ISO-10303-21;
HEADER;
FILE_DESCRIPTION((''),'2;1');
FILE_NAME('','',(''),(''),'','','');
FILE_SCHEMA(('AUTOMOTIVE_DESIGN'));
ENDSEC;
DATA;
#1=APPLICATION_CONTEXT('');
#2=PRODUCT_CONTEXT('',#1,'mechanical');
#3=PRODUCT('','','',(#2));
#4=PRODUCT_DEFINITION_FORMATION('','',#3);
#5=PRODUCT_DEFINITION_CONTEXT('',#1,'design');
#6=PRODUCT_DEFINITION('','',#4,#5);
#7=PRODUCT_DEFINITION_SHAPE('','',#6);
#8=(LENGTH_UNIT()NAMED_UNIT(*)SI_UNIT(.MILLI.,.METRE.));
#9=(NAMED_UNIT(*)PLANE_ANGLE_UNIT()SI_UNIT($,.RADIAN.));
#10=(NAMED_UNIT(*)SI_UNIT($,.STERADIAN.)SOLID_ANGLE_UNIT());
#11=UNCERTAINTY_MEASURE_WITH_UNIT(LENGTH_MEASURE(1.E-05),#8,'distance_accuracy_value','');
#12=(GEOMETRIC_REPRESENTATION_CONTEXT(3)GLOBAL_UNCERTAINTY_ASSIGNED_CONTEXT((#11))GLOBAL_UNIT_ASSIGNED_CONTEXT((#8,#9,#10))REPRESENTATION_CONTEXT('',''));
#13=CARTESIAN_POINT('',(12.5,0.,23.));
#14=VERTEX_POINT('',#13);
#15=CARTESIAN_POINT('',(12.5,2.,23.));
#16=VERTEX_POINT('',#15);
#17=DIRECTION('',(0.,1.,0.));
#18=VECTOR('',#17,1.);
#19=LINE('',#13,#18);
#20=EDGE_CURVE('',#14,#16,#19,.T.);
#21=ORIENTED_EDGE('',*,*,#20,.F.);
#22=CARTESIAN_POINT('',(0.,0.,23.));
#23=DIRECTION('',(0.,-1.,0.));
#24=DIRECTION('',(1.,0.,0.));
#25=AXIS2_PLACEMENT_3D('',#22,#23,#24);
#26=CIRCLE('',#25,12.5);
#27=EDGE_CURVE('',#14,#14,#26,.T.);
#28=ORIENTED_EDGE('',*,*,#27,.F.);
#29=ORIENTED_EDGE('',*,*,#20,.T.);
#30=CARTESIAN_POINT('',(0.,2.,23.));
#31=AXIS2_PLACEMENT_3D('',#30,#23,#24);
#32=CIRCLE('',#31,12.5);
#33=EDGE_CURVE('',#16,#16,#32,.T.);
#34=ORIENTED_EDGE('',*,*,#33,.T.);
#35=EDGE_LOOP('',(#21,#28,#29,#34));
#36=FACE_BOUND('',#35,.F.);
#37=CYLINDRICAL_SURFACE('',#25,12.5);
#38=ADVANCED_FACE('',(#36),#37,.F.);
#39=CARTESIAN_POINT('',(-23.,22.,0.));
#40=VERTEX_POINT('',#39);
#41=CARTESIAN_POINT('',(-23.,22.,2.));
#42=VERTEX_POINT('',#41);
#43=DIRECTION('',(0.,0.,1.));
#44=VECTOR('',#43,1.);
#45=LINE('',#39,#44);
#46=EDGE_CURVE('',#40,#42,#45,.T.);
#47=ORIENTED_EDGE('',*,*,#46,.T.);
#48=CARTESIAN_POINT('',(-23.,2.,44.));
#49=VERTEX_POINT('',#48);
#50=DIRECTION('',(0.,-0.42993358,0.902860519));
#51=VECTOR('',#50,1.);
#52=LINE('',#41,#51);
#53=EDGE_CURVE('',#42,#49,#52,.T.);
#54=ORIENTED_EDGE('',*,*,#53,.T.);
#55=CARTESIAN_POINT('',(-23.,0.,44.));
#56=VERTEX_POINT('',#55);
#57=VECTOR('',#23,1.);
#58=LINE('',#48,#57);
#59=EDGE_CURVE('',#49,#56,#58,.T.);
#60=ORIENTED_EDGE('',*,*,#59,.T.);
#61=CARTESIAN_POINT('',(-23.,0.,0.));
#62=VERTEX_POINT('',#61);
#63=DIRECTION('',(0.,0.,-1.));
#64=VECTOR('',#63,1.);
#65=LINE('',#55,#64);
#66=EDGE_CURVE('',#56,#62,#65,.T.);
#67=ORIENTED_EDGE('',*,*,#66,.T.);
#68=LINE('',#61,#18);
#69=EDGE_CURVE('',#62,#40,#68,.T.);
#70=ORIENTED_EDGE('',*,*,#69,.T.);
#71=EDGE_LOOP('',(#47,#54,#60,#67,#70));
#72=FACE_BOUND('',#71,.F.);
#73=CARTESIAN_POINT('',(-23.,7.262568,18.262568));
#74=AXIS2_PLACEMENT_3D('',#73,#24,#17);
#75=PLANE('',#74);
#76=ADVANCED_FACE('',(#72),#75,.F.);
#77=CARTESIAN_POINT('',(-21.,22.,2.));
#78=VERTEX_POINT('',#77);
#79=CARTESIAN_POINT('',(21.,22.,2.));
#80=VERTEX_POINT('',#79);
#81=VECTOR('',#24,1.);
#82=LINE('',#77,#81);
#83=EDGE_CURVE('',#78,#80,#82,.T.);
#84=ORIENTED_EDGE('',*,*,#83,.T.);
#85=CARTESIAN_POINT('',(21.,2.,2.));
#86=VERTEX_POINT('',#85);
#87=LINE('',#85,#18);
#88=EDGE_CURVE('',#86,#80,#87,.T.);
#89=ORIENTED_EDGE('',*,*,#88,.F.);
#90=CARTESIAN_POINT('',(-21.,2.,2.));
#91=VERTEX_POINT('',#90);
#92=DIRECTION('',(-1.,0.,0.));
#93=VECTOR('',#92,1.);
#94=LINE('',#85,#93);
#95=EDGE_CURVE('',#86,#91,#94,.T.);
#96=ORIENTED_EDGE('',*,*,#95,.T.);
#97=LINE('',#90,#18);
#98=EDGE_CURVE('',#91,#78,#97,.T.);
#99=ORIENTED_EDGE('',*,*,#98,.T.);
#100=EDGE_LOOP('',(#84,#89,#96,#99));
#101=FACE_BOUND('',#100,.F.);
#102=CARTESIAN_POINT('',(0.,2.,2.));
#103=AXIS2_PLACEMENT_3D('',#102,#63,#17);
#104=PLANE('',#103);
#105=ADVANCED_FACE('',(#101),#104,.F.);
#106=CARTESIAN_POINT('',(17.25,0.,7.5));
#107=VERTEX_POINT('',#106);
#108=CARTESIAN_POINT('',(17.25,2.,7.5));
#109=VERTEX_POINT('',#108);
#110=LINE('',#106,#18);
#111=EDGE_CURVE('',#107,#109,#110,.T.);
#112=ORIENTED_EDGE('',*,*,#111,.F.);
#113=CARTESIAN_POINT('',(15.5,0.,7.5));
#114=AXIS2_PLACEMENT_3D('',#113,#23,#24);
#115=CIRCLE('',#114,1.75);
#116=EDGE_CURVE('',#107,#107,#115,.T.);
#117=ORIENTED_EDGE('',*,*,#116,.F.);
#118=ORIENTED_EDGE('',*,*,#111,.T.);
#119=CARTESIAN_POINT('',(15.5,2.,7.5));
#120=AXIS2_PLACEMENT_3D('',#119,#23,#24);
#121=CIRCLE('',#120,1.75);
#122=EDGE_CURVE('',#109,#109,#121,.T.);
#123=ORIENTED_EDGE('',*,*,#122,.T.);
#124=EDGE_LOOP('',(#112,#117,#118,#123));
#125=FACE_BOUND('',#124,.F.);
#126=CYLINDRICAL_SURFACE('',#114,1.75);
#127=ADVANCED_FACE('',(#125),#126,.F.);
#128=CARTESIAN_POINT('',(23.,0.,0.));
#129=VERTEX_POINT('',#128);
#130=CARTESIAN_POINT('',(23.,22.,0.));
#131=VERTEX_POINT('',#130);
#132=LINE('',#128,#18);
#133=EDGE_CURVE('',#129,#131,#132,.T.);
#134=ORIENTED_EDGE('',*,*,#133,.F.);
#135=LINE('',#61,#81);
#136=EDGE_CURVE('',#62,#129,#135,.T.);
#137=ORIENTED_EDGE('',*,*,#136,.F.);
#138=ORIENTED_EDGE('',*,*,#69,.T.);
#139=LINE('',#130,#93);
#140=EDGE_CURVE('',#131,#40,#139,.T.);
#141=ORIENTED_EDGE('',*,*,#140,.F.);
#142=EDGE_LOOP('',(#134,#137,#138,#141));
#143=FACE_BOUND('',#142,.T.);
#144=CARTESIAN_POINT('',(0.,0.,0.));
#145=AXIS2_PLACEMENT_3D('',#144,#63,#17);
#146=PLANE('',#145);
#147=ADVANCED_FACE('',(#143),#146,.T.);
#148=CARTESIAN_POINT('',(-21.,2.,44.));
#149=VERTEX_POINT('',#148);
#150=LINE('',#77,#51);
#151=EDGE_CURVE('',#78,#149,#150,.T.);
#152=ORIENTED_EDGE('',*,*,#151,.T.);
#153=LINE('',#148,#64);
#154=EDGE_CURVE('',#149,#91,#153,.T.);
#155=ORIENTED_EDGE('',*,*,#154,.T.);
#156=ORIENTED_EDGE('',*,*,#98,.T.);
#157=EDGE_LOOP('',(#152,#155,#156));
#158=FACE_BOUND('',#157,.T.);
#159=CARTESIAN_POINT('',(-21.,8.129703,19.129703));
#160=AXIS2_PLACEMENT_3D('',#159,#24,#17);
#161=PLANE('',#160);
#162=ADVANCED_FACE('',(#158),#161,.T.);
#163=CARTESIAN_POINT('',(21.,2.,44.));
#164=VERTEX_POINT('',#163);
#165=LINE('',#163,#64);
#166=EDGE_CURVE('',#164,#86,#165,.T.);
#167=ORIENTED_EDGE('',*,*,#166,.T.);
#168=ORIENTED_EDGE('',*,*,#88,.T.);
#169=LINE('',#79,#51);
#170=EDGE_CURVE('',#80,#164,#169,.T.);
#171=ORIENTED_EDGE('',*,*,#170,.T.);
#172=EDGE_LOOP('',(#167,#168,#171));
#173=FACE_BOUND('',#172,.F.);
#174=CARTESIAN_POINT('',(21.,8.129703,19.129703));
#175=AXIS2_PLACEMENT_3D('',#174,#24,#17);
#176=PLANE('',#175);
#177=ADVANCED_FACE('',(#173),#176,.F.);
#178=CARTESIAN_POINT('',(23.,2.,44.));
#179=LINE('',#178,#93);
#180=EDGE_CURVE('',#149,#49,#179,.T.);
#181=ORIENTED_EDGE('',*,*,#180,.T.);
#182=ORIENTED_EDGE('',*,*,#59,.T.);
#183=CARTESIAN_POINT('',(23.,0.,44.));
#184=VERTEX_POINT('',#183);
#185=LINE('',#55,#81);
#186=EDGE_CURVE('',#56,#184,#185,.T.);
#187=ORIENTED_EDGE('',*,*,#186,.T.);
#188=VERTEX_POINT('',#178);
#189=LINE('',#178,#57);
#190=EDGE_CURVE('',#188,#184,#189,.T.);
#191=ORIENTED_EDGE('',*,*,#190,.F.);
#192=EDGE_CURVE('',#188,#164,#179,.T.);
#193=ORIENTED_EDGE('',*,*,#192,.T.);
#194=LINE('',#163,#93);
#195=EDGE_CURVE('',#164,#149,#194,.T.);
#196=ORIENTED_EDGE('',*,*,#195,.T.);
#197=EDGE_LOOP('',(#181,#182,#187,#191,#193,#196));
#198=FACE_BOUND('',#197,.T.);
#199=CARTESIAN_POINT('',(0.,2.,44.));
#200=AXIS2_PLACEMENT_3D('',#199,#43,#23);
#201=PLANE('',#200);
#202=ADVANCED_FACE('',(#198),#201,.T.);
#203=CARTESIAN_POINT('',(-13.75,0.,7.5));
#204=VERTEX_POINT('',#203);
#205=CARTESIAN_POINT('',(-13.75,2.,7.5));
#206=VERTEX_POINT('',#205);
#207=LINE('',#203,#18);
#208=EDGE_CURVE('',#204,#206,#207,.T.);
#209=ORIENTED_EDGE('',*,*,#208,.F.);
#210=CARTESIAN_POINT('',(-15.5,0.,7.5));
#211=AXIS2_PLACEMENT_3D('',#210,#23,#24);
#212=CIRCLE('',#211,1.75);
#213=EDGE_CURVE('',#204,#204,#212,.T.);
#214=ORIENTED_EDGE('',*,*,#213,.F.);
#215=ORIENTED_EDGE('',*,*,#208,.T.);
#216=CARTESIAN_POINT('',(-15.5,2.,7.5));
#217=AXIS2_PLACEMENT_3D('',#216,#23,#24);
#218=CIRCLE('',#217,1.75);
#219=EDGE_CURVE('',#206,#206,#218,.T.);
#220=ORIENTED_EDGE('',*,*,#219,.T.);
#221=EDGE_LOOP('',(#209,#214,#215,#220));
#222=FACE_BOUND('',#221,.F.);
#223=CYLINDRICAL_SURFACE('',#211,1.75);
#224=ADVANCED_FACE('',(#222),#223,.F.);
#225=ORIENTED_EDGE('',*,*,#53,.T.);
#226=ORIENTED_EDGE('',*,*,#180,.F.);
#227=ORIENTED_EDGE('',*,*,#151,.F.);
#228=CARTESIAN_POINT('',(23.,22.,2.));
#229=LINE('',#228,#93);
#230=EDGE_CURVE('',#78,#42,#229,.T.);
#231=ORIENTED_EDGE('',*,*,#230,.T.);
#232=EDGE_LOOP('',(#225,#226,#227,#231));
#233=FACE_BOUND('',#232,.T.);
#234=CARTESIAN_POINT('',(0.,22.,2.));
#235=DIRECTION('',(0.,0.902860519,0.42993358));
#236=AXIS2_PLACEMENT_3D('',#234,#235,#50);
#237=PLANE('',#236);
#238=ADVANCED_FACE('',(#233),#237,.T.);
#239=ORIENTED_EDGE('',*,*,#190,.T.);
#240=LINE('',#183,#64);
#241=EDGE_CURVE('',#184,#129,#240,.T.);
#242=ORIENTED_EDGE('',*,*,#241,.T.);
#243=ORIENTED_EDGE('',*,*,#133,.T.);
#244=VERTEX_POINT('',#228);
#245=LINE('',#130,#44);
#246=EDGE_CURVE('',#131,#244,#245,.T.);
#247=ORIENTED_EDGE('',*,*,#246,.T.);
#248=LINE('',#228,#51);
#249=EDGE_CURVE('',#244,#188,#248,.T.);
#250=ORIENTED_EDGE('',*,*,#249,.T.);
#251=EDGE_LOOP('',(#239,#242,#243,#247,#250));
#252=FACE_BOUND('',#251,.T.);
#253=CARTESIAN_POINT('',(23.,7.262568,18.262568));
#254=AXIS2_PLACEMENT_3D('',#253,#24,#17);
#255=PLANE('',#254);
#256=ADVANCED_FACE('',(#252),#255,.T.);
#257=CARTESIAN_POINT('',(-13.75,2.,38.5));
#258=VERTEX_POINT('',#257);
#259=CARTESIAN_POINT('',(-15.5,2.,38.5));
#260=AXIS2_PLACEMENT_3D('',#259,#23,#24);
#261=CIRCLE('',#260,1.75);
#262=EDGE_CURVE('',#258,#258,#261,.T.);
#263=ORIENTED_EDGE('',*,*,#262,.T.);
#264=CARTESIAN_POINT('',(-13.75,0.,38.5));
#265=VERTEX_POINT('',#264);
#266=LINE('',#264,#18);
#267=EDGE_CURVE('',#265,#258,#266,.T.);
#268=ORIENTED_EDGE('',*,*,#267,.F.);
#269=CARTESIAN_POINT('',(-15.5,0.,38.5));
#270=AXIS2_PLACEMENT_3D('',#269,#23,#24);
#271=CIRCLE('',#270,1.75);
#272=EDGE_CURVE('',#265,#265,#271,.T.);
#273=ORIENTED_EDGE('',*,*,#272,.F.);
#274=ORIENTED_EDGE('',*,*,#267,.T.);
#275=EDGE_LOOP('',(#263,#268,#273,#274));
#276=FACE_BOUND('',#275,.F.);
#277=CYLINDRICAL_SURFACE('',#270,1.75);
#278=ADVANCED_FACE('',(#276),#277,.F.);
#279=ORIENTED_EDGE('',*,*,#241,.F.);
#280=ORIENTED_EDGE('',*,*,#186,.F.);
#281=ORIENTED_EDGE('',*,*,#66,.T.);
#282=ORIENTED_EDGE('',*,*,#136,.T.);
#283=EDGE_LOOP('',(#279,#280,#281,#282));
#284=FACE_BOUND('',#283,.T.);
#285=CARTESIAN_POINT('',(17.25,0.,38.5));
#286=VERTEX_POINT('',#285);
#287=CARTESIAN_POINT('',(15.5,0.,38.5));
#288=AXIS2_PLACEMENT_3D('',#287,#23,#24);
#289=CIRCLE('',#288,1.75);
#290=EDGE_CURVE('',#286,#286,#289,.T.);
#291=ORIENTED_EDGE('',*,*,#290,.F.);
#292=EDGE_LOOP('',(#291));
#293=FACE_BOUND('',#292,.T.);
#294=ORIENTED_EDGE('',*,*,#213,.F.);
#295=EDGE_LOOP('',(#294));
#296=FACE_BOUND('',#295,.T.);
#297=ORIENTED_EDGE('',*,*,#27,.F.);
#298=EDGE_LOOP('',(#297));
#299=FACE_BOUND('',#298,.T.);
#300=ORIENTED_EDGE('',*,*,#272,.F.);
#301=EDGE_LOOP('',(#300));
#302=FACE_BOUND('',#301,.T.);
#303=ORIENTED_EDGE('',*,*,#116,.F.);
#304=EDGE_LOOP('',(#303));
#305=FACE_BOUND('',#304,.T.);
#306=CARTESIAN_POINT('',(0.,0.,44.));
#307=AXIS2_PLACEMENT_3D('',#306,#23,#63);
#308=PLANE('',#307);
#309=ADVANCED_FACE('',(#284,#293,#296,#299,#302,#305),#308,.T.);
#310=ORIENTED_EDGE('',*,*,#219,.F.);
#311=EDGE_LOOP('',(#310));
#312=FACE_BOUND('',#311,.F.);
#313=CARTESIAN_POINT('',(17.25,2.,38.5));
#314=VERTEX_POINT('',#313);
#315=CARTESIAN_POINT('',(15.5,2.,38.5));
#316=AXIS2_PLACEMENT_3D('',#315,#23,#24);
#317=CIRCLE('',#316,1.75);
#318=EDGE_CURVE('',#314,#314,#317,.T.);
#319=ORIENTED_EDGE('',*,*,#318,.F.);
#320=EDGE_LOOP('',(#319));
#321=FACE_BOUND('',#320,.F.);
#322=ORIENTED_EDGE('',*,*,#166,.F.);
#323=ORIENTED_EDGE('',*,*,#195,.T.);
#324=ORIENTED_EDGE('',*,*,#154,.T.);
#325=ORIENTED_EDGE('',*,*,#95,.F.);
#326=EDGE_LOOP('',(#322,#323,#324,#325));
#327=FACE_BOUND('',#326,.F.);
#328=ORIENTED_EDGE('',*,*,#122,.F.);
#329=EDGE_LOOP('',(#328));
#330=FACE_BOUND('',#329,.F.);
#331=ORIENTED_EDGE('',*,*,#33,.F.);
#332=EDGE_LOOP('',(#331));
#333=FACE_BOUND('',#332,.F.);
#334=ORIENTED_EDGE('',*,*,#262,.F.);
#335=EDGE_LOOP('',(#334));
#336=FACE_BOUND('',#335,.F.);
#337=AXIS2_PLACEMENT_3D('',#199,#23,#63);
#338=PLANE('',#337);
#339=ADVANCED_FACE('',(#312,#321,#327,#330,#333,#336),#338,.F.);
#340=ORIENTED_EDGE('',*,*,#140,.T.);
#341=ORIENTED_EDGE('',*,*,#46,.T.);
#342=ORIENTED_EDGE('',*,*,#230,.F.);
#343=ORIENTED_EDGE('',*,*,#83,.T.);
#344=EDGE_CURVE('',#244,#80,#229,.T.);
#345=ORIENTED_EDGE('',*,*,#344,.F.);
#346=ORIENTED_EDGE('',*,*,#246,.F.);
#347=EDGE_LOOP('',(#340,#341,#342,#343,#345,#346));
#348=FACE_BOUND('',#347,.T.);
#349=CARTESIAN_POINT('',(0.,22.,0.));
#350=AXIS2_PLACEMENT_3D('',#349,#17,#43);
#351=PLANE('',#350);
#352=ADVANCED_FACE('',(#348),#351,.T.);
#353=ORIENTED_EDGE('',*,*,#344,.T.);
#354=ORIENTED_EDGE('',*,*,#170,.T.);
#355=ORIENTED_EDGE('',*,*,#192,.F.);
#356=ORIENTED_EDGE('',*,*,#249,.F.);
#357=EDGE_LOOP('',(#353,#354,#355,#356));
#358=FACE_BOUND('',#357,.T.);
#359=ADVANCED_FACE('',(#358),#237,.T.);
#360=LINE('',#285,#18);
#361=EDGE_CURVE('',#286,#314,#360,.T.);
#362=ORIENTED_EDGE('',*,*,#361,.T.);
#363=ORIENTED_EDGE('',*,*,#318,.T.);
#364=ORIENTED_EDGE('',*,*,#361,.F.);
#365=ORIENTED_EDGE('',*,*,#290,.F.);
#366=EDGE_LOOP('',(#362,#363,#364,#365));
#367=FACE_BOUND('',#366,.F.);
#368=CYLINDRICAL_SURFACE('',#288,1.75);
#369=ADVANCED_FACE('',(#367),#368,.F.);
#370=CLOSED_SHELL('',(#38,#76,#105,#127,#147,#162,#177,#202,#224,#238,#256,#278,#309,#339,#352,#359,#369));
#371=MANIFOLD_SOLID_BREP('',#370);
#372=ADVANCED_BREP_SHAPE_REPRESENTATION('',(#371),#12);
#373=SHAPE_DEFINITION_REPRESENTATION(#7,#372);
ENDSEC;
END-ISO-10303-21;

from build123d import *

# Parameters (mm, degrees)
F1_DEPTH = 23
F3_DEPTH = 21
F4_R     = 12.5
F4_R_2   = 1.75
F5_DEPTH = 22.001


with BuildPart() as f1:
    # F0 (on Right) → F1 (new body, symmetric)
    with BuildSketch(Plane.YZ):
        Polygon((2, 44), (0, 44), (0, 0), (22, 0), (22, 2), align=None)
    extrude(amount=F1_DEPTH, both=True)

    # F2 (on Right) → F3 (cut, symmetric)
    with BuildSketch(Plane.YZ):
        Polygon((2, 2), (22, 2), (2, 44), align=None)
    extrude(amount=F3_DEPTH, both=True, mode=Mode.SUBTRACT)

    # F4 (on face) → F5 (cut, through all)
    with BuildSketch(Plane.XZ):
        with Locations((0, 23)):
            Circle(F4_R)
        with Locations((-15.5, 38.5)):
            Circle(F4_R_2)
        with Locations((-15.5, 7.5)):
            Circle(F4_R_2)
        with Locations((15.5, 38.5)):
            Circle(F4_R_2)
        with Locations((15.5, 7.5)):
            Circle(F4_R_2)
    extrude(amount=-F5_DEPTH, mode=Mode.SUBTRACT)


solid = f1.part
